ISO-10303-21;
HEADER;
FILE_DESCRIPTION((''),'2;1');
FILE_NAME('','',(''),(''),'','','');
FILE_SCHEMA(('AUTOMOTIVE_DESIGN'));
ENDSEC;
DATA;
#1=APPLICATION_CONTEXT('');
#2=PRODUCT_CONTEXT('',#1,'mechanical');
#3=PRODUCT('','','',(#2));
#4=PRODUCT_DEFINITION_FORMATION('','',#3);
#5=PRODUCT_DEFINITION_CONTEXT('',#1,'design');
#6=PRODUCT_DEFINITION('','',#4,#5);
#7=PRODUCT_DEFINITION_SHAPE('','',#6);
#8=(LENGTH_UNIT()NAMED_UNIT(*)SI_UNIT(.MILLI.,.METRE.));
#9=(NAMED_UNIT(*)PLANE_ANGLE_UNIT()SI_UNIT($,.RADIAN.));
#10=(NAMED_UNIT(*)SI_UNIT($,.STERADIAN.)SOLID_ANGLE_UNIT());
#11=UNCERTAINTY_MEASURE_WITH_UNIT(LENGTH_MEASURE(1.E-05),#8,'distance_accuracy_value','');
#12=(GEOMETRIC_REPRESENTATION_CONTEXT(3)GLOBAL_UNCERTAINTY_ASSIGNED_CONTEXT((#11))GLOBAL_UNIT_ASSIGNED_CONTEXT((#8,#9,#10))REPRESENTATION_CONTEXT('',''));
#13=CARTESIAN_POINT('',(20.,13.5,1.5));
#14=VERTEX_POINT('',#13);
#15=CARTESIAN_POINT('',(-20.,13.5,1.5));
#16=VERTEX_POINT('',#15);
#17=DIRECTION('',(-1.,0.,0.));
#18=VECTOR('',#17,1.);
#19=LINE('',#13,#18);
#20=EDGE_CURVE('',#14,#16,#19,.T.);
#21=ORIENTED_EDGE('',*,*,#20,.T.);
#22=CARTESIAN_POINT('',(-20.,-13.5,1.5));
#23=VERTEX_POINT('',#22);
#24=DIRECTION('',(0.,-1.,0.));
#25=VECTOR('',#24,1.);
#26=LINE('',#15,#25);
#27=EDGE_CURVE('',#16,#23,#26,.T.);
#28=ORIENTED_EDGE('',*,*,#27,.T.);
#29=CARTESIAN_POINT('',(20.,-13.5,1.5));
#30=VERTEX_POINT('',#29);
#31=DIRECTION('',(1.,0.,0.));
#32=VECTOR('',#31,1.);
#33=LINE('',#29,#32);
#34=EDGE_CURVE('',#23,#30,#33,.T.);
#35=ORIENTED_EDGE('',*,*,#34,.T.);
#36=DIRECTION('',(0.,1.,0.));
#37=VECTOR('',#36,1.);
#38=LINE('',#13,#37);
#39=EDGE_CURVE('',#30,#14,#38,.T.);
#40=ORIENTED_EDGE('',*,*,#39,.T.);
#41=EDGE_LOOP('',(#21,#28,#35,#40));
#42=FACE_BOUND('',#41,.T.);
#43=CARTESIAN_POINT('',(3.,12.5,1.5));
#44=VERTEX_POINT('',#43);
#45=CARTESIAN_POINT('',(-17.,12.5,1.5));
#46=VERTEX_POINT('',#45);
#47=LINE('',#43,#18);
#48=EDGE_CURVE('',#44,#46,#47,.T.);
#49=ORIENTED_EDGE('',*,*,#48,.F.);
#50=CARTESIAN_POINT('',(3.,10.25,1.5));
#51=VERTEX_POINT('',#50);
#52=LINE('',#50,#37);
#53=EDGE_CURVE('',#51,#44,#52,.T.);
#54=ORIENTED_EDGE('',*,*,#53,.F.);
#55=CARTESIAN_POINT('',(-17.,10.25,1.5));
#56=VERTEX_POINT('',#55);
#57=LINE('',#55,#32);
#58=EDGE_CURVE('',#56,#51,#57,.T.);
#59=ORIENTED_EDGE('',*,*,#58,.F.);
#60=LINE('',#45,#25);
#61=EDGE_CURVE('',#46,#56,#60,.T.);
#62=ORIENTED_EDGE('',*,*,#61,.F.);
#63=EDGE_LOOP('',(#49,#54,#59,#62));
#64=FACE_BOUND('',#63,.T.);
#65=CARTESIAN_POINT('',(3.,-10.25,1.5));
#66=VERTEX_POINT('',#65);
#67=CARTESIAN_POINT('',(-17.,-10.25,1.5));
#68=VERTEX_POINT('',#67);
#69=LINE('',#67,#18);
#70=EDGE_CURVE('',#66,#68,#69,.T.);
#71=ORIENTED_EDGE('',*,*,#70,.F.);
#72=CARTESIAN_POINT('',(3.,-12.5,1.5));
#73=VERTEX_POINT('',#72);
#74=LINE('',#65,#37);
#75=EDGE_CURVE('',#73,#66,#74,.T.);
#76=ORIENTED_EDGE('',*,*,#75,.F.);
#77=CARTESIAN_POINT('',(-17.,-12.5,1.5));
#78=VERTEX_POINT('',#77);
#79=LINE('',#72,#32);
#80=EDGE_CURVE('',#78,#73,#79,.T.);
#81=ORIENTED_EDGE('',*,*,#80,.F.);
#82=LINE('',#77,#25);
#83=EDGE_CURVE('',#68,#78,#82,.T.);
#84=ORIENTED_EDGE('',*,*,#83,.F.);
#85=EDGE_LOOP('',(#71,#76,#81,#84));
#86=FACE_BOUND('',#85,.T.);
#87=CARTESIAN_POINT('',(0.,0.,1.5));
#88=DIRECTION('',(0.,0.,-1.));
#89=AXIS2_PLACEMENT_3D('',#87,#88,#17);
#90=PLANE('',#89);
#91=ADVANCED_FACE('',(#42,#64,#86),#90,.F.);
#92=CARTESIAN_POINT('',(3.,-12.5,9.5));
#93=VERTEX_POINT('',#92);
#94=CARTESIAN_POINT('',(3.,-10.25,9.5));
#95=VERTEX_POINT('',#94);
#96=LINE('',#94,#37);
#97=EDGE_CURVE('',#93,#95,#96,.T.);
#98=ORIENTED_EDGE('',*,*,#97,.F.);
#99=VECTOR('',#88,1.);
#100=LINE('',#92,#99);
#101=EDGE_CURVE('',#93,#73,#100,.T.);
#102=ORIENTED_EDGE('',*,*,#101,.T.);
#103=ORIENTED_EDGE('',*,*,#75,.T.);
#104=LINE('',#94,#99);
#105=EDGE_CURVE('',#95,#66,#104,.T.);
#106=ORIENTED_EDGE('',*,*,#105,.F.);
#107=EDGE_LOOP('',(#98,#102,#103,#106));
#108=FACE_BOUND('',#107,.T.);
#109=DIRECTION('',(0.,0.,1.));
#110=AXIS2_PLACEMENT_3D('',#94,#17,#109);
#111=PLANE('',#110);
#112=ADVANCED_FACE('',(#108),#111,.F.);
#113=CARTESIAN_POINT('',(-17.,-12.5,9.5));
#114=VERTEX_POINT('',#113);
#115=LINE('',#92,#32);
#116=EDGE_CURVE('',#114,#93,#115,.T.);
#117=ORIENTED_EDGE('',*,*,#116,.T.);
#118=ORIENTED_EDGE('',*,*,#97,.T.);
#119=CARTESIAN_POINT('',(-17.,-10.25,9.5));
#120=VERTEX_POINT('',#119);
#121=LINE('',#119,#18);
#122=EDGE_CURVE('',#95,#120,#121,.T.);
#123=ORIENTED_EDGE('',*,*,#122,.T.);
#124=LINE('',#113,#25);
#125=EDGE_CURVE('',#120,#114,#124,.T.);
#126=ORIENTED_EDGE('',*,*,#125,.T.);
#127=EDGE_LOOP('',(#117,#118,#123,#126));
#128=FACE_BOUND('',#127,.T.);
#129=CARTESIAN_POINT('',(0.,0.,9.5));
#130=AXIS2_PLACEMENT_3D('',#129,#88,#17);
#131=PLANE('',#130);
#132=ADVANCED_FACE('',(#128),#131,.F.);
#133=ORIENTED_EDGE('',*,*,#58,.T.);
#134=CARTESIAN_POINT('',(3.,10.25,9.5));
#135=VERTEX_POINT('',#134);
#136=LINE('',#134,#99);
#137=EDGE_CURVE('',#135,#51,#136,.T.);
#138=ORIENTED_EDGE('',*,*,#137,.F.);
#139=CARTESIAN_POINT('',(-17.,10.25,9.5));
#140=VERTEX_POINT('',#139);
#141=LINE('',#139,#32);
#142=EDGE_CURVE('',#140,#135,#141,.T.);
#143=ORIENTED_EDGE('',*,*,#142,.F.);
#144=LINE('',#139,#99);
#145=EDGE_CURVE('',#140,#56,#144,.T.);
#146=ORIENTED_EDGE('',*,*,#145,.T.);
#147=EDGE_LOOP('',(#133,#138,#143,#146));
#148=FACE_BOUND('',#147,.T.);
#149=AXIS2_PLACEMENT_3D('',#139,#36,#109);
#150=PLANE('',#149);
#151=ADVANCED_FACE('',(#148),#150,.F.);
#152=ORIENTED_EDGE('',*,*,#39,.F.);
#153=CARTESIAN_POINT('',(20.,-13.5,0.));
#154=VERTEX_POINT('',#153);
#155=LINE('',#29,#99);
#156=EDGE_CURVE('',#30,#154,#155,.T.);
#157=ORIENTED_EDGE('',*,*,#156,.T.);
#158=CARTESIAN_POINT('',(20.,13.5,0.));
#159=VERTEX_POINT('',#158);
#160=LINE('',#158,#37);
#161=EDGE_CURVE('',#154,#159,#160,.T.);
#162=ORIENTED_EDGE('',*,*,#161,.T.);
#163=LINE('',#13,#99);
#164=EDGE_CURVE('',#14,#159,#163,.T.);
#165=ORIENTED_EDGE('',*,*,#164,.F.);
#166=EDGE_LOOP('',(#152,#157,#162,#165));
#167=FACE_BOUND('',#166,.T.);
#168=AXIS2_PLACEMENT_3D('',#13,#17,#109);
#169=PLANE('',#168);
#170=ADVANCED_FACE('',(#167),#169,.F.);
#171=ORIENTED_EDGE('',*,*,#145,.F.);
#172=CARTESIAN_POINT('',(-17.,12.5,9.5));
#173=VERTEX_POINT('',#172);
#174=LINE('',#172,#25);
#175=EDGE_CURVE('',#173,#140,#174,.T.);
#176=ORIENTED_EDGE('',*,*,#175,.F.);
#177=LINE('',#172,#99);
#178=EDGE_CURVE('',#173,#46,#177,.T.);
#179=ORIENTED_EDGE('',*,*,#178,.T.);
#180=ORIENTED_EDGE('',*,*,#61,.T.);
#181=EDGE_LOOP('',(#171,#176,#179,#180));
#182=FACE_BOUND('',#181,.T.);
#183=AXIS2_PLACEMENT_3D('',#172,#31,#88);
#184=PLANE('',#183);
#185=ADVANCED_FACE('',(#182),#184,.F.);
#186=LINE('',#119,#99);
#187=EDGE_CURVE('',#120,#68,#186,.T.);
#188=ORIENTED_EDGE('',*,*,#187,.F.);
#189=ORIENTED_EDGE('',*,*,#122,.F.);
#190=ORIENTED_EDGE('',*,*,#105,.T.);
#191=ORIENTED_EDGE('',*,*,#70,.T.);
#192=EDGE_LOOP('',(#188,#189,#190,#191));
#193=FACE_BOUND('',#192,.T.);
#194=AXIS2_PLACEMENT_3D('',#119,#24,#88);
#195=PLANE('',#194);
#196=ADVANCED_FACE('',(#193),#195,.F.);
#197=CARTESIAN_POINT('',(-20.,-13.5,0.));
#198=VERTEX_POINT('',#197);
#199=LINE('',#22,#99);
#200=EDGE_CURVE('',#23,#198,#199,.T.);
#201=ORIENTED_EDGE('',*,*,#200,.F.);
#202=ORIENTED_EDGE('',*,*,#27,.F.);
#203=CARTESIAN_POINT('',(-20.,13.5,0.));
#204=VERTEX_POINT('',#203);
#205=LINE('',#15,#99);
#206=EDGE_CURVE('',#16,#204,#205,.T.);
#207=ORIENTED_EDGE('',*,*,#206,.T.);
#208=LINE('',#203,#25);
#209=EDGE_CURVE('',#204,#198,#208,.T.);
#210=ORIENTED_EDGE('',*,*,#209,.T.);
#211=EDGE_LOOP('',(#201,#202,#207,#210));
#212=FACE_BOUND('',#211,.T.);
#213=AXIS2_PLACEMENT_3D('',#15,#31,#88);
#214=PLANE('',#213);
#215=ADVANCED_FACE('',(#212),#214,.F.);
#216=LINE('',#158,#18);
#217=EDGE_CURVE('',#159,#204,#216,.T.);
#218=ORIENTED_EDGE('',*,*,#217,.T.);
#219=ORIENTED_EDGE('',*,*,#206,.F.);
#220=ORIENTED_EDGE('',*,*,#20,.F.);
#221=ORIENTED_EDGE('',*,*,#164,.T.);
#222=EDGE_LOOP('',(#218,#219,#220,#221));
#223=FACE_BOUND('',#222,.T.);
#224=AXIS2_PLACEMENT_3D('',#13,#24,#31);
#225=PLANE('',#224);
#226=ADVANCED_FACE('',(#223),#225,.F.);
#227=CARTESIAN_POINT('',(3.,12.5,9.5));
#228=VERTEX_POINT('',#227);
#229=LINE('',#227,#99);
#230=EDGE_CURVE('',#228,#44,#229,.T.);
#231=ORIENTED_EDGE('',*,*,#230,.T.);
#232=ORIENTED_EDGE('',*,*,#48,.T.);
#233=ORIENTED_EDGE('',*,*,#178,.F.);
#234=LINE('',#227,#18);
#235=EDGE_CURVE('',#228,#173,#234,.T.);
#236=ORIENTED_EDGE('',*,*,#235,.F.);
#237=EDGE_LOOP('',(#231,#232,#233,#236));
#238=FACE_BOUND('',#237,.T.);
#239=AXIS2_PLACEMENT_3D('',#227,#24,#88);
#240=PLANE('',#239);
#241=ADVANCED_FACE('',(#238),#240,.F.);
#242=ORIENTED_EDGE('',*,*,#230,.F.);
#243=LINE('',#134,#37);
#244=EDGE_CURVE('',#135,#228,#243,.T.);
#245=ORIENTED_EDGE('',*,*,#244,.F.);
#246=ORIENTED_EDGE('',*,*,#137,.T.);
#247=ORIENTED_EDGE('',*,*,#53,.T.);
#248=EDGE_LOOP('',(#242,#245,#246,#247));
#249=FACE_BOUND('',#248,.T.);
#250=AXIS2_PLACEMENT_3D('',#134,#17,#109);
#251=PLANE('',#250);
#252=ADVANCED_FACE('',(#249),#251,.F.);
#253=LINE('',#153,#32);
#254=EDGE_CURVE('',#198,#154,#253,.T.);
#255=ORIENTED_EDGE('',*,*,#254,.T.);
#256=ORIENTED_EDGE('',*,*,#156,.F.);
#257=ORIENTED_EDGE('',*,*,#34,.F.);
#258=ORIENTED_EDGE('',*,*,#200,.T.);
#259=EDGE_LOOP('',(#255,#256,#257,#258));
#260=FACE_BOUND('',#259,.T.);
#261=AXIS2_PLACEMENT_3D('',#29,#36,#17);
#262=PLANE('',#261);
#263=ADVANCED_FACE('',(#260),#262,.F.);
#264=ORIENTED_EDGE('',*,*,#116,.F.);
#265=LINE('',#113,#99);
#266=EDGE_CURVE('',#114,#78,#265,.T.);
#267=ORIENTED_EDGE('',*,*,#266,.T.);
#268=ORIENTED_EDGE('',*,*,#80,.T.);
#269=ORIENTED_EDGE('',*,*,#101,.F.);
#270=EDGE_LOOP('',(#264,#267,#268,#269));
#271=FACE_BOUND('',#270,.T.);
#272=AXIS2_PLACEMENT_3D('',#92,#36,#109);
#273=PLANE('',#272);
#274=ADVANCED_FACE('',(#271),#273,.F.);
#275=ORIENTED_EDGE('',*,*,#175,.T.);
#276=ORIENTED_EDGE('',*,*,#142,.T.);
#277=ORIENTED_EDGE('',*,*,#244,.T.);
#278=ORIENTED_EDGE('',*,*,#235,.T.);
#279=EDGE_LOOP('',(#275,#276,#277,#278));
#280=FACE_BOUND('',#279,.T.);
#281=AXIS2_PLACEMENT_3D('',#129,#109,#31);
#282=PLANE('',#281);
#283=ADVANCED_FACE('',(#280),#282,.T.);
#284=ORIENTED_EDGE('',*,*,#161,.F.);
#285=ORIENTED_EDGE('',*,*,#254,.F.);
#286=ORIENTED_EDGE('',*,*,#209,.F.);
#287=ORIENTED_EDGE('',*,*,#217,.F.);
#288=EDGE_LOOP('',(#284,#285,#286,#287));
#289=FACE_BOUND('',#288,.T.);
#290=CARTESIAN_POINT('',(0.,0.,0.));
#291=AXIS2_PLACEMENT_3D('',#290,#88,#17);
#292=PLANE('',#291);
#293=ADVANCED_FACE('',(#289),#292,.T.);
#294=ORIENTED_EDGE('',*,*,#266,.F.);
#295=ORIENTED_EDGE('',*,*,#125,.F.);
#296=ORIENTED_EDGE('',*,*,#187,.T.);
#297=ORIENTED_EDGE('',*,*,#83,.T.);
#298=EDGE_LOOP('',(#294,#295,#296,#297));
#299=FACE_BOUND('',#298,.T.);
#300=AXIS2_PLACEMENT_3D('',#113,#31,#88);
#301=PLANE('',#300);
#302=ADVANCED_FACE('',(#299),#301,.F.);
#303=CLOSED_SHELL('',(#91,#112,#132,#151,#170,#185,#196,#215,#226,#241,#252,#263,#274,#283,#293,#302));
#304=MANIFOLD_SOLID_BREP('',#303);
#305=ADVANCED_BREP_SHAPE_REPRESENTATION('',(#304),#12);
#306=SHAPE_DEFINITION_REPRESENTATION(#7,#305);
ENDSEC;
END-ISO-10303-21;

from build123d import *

# Parameters (mm, degrees)
SKETCH1_W           = 40
SKETCH1_H           = 27
BOSS_EXTRUDE1_DEPTH = 1.5
SKETCH2_W           = 20
SKETCH2_H           = 2.25
BOSS_EXTRUDE2_DEPTH = 8


with BuildPart() as part:
    # Sketch1 → Boss-Extrude1 (new body)
    with BuildSketch(Plane.XY):
        Rectangle(SKETCH1_W, SKETCH1_H)
    extrude(amount=BOSS_EXTRUDE1_DEPTH)

    # Sketch2 → Boss-Extrude2 (add)
    with BuildSketch(Plane.XY.offset(1.5)):
        with Locations((-7, 11.375)):
            Rectangle(SKETCH2_W, SKETCH2_H)
        with Locations((-7, -11.375)):
            Rectangle(SKETCH2_W, SKETCH2_H)
    extrude(amount=BOSS_EXTRUDE2_DEPTH)


solid = part.part
